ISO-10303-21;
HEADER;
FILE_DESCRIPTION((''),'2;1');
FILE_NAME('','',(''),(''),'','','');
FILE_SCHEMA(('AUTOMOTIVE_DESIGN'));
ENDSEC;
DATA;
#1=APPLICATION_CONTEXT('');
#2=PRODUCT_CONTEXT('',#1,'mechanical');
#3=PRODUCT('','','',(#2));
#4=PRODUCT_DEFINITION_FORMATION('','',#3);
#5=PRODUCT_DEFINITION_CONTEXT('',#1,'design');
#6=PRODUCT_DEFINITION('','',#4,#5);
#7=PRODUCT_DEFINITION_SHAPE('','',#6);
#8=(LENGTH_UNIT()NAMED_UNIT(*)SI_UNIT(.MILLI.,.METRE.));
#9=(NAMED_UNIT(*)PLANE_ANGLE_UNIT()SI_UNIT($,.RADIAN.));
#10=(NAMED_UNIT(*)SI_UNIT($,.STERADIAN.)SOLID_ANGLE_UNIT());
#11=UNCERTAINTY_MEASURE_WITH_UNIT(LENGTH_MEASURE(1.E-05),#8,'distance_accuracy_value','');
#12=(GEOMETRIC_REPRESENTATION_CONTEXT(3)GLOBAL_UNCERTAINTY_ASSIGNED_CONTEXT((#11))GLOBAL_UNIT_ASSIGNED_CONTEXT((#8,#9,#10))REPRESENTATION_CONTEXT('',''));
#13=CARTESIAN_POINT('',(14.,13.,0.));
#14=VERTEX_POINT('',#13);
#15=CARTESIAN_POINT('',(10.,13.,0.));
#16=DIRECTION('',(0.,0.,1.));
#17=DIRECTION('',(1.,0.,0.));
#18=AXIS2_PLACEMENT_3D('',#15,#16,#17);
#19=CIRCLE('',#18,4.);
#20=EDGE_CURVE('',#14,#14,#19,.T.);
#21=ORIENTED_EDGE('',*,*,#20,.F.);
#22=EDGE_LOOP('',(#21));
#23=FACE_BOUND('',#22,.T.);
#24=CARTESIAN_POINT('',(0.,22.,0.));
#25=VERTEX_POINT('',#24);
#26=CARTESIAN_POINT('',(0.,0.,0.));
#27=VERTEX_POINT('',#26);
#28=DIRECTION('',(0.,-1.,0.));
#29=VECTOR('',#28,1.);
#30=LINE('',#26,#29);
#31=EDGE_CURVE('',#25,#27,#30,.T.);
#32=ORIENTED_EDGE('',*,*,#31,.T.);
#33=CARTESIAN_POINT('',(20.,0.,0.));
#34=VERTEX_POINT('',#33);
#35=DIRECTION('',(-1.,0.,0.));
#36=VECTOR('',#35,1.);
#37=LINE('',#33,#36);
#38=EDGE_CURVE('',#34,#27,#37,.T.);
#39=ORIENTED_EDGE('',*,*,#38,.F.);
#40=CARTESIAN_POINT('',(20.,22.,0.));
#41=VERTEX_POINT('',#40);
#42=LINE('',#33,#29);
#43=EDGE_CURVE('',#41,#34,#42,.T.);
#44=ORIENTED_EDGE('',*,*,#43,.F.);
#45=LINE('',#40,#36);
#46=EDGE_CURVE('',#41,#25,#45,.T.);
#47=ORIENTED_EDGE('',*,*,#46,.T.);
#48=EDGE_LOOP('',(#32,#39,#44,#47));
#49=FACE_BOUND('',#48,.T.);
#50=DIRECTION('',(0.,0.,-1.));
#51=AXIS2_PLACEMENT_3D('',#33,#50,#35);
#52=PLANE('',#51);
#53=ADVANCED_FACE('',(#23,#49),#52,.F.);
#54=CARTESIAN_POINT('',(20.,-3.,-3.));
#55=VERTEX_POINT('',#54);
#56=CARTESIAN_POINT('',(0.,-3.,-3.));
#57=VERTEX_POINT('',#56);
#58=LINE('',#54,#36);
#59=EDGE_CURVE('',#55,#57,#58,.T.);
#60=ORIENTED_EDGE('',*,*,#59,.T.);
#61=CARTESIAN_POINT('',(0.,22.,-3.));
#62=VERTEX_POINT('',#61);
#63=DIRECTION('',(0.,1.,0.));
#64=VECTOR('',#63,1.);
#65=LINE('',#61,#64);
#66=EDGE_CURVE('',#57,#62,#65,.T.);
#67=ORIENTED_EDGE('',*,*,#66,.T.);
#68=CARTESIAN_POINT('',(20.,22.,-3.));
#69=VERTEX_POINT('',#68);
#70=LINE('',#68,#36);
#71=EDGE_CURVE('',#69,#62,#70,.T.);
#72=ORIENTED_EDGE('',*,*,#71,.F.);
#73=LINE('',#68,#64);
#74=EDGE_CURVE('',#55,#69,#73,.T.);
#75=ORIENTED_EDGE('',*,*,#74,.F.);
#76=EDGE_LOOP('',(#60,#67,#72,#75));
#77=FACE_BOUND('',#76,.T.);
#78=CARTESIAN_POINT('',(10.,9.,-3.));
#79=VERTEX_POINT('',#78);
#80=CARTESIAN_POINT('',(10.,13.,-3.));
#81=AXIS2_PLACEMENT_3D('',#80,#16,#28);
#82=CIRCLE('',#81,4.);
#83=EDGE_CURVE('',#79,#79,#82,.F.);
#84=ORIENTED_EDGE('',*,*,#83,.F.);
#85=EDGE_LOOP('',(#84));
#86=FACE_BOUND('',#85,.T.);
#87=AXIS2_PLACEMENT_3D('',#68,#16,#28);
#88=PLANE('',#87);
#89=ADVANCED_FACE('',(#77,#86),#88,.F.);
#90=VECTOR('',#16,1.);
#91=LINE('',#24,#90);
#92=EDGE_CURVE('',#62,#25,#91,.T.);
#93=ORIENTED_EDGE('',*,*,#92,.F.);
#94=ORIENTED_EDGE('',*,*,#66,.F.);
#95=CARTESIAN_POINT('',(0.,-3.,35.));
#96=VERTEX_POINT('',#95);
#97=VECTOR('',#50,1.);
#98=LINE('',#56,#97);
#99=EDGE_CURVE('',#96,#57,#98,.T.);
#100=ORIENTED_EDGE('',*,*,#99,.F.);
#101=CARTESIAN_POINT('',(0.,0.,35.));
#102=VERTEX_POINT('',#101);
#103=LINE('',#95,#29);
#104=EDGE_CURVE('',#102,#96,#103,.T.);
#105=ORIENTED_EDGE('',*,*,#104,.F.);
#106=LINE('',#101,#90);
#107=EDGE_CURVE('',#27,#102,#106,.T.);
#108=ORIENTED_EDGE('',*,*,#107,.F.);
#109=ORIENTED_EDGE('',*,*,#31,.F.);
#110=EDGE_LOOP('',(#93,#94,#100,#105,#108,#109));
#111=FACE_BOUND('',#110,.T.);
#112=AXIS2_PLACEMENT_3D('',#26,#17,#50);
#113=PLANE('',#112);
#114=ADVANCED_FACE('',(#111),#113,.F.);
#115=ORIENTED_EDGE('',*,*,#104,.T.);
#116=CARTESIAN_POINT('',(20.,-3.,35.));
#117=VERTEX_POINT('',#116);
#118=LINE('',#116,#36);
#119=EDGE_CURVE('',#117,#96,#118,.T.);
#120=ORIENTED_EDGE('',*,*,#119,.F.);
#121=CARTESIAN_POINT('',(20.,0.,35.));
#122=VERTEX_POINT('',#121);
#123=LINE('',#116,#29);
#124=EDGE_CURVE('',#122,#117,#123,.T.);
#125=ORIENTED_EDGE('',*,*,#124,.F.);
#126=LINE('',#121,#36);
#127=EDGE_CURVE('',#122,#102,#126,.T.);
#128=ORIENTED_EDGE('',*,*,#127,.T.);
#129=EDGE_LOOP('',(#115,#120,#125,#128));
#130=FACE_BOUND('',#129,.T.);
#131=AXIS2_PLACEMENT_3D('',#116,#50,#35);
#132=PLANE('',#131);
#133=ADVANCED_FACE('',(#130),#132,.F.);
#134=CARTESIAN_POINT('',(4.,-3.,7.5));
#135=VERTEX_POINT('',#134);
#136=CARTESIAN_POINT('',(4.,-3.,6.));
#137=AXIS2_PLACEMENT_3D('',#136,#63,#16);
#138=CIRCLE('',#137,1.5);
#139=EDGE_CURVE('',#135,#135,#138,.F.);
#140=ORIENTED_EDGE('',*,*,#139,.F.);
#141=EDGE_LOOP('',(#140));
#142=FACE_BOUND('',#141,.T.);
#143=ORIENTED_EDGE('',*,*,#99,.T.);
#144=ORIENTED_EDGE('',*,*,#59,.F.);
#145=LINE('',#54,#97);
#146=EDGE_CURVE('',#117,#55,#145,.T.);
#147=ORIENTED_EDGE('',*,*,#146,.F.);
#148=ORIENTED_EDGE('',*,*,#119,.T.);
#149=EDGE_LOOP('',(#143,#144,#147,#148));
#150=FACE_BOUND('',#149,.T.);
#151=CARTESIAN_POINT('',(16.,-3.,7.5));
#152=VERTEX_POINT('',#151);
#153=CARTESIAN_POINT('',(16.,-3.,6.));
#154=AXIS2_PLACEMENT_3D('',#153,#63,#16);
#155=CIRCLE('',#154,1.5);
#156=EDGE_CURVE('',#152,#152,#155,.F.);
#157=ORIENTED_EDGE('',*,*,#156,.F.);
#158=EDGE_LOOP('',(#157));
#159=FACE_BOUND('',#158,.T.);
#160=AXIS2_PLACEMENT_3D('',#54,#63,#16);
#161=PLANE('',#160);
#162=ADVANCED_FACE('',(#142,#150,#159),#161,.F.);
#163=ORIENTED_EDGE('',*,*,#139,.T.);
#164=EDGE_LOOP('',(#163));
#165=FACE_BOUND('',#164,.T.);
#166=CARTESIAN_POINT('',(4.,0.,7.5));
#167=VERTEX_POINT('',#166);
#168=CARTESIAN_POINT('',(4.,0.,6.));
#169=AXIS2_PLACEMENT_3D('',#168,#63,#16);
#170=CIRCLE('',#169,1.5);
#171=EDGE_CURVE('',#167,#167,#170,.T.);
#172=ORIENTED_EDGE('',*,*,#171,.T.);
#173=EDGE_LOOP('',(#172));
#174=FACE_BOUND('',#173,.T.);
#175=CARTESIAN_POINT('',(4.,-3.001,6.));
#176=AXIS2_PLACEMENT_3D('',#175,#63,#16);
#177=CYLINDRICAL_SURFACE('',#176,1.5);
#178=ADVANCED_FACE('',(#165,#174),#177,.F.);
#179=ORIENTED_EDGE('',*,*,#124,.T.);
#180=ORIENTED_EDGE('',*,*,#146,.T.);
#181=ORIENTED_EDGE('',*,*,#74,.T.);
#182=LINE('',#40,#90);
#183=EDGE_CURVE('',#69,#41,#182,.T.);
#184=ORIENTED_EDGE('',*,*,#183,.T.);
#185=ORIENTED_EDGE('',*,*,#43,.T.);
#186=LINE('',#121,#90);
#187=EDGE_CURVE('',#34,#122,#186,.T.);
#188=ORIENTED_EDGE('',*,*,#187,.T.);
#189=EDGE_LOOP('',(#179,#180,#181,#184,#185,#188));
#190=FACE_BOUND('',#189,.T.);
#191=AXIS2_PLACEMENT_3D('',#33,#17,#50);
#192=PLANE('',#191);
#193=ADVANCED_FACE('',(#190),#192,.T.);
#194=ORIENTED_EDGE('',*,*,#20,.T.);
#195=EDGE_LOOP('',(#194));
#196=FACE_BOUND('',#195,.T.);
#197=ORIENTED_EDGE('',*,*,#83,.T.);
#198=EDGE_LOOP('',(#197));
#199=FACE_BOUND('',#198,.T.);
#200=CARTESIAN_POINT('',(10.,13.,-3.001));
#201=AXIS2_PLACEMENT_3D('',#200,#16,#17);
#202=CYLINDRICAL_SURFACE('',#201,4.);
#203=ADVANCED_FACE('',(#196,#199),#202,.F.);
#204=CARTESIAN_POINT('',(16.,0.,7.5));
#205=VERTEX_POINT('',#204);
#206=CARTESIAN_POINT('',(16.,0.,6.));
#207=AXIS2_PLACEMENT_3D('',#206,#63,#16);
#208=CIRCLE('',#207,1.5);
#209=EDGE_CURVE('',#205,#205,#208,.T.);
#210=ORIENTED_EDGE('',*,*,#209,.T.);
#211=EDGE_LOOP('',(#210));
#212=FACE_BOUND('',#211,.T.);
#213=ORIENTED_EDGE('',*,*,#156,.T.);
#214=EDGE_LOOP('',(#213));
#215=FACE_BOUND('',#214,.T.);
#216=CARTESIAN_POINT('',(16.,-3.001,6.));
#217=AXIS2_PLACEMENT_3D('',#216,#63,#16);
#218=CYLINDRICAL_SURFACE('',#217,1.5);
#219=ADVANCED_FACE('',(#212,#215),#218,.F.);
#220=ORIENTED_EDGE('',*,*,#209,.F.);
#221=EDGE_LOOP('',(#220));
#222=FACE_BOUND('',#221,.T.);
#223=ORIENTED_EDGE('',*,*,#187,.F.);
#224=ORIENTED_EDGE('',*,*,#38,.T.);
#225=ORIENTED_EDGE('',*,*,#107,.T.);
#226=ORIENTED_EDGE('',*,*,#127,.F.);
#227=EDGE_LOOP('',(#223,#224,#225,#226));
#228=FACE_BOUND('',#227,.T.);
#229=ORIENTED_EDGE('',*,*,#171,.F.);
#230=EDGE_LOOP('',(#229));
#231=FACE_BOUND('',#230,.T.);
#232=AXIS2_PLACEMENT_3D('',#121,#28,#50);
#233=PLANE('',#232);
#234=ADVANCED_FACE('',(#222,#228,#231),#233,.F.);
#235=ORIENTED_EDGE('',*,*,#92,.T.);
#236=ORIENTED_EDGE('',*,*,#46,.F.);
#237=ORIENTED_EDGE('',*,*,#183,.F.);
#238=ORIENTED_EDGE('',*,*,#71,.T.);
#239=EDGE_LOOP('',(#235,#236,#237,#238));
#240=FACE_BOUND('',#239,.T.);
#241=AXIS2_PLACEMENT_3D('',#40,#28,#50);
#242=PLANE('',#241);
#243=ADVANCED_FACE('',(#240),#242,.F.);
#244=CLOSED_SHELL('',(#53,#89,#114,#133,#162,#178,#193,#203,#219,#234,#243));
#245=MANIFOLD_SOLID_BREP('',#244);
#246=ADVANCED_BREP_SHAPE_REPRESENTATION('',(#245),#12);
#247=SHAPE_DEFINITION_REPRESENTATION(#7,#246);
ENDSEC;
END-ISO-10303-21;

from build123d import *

# Parameters (mm, degrees)
EXTRUDE_1_DEPTH     = 20
CUT_EXTRUDE_1_REACH = 47.924
SKETCH_2_R          = 4
CUT_EXTRUDE_2_REACH = 47.924
SKETCH_3_R          = 1.5


with BuildPart() as part:
    # 草图1 → 凸台-拉伸1 (new body)
    with BuildSketch(Plane(origin=(0, 0, 0), x_dir=(0, 0, -1), z_dir=(1, 0, 0))):
        Polygon((0, 0), (0, 22), (3, 22), (3, -3), (-35, -3), (-35, 0), align=None)
    extrude(amount=EXTRUDE_1_DEPTH)

    # 草图2 → 切除-拉伸1 (cut, up to next)
    with BuildSketch(Plane.XY, mode=Mode.PRIVATE) as cut_extrude_1_sk1:
        with Locations((10, 13)):
            Circle(SKETCH_2_R)
    cut_extrude_1_tool1 = extrude(cut_extrude_1_sk1.sketch, amount=-CUT_EXTRUDE_1_REACH, mode=Mode.PRIVATE) & part.part
    add(cut_extrude_1_tool1.solids().sort_by_distance((10, 13, 0))[0], mode=Mode.SUBTRACT)

    # 草图3 → 切除-拉伸2 (cut, up to next)
    with BuildSketch(Plane(origin=(0, 0, 0), x_dir=(1, 0, 0), z_dir=(0, 1, 0)), mode=Mode.PRIVATE) as cut_extrude_2_sk1:
        with Locations(Location((4, -6, 0), (0, 0, 270))):
            Circle(SKETCH_3_R)
    cut_extrude_2_tool1 = extrude(cut_extrude_2_sk1.sketch, amount=-CUT_EXTRUDE_2_REACH, mode=Mode.PRIVATE) & part.part
    # 草图3 → 切除-拉伸2 (cut, up to next)
    with BuildSketch(Plane(origin=(0, 0, 0), x_dir=(1, 0, 0), z_dir=(0, 1, 0)), mode=Mode.PRIVATE) as cut_extrude_2_sk2:
        with Locations(Location((16, -6, 0), (0, 0, 270))):
            Circle(SKETCH_3_R)
    cut_extrude_2_tool2 = extrude(cut_extrude_2_sk2.sketch, amount=-CUT_EXTRUDE_2_REACH, mode=Mode.PRIVATE) & part.part
    add(cut_extrude_2_tool1.solids().sort_by_distance((4, 0, 6))[0], mode=Mode.SUBTRACT)
    add(cut_extrude_2_tool2.solids().sort_by_distance((16, 0, 6))[0], mode=Mode.SUBTRACT)


solid = part.part
